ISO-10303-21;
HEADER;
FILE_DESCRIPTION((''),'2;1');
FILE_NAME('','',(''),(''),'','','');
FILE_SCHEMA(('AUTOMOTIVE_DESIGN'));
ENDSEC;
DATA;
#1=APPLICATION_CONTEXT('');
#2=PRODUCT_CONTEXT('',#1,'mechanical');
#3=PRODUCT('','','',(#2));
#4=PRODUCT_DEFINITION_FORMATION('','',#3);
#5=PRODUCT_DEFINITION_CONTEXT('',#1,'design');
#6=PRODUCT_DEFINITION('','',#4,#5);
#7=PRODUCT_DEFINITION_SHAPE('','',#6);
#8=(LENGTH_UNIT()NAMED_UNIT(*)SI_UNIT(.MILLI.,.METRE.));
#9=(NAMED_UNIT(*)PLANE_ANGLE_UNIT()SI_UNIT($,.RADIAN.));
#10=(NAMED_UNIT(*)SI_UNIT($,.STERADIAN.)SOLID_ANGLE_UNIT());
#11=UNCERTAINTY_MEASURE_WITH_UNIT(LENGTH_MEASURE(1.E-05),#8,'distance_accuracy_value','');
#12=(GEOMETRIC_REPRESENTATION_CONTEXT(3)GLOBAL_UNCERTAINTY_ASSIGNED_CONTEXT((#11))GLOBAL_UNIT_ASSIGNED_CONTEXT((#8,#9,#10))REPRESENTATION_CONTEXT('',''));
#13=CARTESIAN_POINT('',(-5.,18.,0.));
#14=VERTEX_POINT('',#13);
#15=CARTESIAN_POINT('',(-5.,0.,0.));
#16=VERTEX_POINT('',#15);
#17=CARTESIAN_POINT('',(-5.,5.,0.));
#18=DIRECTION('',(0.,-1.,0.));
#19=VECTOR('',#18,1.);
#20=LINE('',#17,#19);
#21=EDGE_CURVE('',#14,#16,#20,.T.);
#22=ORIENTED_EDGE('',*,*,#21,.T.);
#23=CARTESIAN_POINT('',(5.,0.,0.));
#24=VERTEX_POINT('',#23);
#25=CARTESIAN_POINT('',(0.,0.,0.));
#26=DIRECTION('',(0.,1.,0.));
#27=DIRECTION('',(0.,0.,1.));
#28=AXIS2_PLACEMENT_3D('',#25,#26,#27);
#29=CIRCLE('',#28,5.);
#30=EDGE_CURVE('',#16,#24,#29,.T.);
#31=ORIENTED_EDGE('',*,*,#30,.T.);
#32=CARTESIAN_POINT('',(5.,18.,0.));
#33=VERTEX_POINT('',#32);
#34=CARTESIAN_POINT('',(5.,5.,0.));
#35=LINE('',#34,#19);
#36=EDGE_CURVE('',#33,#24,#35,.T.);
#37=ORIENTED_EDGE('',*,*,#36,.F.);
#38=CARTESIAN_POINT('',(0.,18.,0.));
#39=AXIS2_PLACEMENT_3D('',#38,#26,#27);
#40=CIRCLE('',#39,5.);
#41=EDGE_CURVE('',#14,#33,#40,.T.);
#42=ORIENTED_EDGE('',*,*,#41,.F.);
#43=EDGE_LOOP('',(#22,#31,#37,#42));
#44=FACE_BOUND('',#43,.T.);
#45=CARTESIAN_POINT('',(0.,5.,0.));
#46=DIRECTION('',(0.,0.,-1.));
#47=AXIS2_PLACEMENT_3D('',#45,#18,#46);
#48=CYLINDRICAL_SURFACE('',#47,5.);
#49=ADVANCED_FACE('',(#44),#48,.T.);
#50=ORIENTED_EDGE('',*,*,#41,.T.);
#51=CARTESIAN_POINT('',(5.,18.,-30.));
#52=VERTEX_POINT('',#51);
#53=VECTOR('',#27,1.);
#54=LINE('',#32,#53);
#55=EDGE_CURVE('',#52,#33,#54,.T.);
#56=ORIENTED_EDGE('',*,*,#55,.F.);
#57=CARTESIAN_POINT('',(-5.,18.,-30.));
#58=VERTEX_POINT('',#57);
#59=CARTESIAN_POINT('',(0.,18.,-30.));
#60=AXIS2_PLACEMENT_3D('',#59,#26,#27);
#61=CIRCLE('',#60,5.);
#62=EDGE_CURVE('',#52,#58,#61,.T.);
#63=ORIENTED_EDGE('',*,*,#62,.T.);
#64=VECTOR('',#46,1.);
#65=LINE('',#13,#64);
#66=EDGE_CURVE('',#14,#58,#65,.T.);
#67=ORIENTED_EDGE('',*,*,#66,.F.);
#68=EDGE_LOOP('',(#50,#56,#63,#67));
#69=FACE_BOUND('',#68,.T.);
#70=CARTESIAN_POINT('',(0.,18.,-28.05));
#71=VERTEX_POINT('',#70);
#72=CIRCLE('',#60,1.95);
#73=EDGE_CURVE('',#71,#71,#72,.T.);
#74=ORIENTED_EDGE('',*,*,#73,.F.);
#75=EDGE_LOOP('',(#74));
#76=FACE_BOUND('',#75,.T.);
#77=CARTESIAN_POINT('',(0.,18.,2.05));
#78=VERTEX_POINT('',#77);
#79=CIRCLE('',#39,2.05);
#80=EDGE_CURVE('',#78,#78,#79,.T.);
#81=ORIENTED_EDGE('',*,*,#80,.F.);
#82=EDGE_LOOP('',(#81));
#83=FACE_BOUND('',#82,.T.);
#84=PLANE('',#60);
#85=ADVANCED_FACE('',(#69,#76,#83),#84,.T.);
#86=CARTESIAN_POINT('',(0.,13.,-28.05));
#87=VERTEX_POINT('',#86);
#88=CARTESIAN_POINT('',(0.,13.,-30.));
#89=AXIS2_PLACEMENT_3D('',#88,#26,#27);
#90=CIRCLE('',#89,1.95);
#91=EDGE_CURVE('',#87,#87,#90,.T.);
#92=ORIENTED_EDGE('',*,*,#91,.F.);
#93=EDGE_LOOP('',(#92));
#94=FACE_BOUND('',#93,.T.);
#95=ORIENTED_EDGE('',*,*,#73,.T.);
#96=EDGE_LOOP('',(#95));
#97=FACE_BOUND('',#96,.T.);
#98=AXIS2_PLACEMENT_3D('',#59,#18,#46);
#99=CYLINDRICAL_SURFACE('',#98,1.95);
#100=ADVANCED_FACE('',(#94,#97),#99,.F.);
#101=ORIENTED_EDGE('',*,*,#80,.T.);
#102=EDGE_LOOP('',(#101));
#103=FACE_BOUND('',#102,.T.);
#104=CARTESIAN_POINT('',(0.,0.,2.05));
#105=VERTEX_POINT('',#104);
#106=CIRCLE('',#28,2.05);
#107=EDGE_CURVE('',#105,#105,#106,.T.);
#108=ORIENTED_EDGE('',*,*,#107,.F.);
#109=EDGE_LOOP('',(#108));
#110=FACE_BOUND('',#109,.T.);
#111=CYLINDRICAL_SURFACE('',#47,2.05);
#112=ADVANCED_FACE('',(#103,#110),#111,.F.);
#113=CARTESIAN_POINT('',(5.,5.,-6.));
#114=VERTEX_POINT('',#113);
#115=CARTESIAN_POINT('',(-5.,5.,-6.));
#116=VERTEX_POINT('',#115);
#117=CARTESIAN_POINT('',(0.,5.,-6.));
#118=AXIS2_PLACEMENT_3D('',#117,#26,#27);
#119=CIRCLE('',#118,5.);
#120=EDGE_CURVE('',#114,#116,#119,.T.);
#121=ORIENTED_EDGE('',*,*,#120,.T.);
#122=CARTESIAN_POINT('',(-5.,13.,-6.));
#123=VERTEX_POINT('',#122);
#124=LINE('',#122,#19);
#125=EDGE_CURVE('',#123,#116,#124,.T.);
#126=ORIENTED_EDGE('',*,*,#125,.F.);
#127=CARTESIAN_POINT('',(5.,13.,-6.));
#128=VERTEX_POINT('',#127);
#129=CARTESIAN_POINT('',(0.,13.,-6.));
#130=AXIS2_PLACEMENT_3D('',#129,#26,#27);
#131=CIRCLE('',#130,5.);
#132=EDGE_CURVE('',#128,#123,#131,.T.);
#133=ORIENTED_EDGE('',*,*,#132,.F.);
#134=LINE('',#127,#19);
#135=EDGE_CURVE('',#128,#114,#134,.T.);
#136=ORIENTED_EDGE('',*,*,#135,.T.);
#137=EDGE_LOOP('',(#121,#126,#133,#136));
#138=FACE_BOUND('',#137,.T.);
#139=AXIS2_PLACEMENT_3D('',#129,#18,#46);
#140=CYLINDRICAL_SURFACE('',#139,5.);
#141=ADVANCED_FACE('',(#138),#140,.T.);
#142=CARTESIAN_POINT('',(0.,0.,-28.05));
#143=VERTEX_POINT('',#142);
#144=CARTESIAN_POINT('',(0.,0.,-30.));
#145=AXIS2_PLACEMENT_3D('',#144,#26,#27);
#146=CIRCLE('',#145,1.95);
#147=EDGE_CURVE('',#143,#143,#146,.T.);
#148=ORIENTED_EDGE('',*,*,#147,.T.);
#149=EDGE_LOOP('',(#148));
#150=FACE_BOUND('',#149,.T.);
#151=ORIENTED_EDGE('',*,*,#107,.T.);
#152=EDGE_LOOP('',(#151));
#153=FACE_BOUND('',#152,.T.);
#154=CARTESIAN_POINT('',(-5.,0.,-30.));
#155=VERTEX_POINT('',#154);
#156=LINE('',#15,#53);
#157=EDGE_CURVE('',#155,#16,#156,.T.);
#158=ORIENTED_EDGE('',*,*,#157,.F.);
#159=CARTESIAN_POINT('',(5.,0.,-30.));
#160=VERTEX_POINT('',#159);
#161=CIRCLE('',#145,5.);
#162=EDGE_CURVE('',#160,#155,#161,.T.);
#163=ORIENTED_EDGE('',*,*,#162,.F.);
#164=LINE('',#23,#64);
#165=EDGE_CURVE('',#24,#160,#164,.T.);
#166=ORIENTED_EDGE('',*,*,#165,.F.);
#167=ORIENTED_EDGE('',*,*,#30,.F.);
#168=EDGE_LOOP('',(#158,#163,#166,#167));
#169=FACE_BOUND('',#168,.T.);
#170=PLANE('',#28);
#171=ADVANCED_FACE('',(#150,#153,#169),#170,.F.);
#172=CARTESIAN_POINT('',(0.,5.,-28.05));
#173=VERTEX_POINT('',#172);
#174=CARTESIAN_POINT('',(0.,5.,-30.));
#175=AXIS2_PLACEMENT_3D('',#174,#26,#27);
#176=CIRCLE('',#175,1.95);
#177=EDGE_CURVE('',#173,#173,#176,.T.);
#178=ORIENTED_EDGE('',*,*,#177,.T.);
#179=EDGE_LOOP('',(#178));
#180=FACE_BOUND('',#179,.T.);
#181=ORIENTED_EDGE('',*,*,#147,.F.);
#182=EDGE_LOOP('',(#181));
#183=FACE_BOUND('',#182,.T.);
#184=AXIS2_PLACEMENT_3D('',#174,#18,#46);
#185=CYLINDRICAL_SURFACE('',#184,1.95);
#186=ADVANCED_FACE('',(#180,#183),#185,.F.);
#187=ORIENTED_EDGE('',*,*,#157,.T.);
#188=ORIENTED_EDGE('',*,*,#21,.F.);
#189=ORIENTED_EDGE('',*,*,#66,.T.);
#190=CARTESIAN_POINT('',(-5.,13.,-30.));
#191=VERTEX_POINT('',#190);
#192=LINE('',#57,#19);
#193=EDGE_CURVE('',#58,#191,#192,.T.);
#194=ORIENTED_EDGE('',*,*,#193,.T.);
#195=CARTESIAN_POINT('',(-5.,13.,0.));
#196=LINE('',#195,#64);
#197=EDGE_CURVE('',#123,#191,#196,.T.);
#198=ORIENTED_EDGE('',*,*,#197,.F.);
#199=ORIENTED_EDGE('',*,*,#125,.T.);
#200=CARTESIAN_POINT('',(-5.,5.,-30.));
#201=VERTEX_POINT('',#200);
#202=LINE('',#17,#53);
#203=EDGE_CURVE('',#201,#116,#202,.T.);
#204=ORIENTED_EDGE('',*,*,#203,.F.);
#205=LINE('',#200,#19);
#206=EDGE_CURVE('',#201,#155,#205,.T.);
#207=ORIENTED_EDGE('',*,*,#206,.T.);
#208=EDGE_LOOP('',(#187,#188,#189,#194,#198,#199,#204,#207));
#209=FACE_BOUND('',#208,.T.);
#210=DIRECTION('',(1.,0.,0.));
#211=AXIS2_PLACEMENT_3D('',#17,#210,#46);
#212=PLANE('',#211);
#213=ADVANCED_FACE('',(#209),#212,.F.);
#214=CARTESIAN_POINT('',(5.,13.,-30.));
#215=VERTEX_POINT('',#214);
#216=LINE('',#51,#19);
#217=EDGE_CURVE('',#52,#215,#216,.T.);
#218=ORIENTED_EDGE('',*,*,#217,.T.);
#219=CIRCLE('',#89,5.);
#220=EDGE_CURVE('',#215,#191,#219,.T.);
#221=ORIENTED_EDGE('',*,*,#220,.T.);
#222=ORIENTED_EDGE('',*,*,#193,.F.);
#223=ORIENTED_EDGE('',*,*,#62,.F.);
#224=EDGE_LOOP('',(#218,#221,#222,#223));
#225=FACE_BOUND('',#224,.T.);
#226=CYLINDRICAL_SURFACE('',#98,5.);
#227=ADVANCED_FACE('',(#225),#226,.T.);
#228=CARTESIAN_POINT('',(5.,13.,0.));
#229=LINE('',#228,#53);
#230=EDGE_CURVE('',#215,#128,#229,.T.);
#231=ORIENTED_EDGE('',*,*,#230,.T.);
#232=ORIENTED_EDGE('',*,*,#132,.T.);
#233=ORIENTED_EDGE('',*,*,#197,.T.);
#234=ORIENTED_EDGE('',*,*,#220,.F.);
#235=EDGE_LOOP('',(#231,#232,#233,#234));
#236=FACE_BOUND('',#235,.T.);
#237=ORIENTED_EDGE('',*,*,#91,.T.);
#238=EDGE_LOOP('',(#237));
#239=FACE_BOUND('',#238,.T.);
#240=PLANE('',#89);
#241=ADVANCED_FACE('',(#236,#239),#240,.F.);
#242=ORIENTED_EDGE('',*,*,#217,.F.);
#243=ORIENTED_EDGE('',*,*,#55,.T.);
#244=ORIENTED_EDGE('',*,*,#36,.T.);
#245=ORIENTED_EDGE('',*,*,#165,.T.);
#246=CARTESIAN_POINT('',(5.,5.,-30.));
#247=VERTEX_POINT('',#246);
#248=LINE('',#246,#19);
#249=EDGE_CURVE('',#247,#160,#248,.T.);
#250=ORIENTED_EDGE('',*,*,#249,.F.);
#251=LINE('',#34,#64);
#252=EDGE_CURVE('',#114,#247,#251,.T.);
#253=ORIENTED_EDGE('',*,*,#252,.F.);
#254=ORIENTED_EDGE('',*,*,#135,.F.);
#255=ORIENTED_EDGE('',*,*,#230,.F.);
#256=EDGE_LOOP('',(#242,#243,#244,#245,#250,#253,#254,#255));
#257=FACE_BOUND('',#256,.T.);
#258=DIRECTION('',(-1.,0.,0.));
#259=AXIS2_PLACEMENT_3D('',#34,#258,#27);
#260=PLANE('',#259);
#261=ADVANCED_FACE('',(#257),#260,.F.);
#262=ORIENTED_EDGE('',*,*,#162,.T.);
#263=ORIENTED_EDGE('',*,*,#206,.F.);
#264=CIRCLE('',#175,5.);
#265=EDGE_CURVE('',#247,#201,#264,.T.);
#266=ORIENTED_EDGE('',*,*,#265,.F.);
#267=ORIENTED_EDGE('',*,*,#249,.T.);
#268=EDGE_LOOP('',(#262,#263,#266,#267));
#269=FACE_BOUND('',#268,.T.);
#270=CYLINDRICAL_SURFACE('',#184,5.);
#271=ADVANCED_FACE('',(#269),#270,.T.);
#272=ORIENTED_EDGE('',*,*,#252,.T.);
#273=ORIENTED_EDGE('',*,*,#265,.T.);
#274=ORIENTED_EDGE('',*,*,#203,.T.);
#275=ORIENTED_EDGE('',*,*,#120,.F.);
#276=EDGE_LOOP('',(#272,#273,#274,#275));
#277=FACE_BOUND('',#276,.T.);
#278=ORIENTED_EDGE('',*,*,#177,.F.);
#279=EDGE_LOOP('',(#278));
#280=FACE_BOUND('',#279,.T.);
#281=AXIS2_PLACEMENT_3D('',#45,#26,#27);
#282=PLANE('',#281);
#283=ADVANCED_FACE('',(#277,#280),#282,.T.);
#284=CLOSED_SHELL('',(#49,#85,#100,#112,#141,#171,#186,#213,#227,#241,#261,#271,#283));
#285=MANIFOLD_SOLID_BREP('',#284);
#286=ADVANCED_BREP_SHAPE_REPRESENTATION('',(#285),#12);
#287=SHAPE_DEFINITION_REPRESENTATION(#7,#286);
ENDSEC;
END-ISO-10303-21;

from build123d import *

# Parameters (mm, degrees)
ESQUISSE1_R        = 1.95
ESQUISSE1_R_2      = 2.05
BOSS_EXTRU_1_DEPTH = 5
ESQUISSE2_R        = 2.05
BOSS_EXTRU_2_DEPTH = 8
BOSS_EXTRU_3_START = 8
ESQUISSE3_R        = 1.95
ESQUISSE3_R_2      = 2.05
BOSS_EXTRU_3_DEPTH = 5


with BuildPart() as part:
    # Esquisse1 → Boss.-Extru.1 (new body)
    with BuildSketch(Plane(origin=(0, 0, 0), x_dir=(1, 0, 0), z_dir=(0, 1, 0))):
        with BuildLine():
            Line((-5, 0), (-5, 30))
            ThreePointArc((-5, 30), (0, 35), (5, 30))
            Line((5, 30), (5, 0))
            ThreePointArc((5, 0), (0, -5), (-5, 0))
        make_face()
        with Locations(Location((0, 30, 0), (0, 0, 270))):
            Circle(ESQUISSE1_R, mode=Mode.SUBTRACT)
        with Locations(Location((0, 0, 0), (0, 0, 270))):
            Circle(ESQUISSE1_R_2, mode=Mode.SUBTRACT)
    extrude(amount=BOSS_EXTRU_1_DEPTH)

    # Esquisse2 → Boss.-Extru.2 (add)
    with BuildSketch(Plane(origin=(0, 5, 0), x_dir=(1, 0, 0), z_dir=(0, 1, 0))):
        with BuildLine():
            Line((-5, 0), (-5, 6))
            ThreePointArc((-5, 6), (0, 11), (5, 6))
            Line((5, 6), (5, 0))
            ThreePointArc((5, 0), (0, -5), (-5, 0))
        make_face()
        with Locations(Location((0, 0, 0), (0, 0, 270))):
            Circle(ESQUISSE2_R, mode=Mode.SUBTRACT)
    extrude(amount=BOSS_EXTRU_2_DEPTH)

    # Esquisse3 → Boss.-Extru.3 (add)
    # profile 1 of 2: a face of its own
    with BuildSketch(Plane(origin=(0, 5, 0), x_dir=(1, 0, 0), z_dir=(0, 1, 0)).offset(BOSS_EXTRU_3_START)):
        with BuildLine():
            Line((-5, 30), (-5, 6))
            ThreePointArc((-5, 6), (0, 11), (5, 6))
            Line((5, 6), (5, 30))
            ThreePointArc((5, 30), (0, 35), (-5, 30))
        make_face()
        with Locations(Location((0, 30, 0), (0, 0, 270))):
            Circle(ESQUISSE3_R, mode=Mode.SUBTRACT)
    # profile 2 of 2: a face of its own
    with BuildSketch(Plane(origin=(0, 5, 0), x_dir=(1, 0, 0), z_dir=(0, 1, 0)).offset(BOSS_EXTRU_3_START)):
        with BuildLine():
            Line((-5, 6), (-5, 0))
            ThreePointArc((-5, 0), (0, -5), (5, 0))
            Line((5, 0), (5, 6))
            ThreePointArc((5, 6), (0, 11), (-5, 6))
        make_face()
        with Locations(Location((0, 0, 0), (0, 0, 270))):
            Circle(ESQUISSE3_R_2, mode=Mode.SUBTRACT)
    extrude(amount=BOSS_EXTRU_3_DEPTH)


solid = part.part
